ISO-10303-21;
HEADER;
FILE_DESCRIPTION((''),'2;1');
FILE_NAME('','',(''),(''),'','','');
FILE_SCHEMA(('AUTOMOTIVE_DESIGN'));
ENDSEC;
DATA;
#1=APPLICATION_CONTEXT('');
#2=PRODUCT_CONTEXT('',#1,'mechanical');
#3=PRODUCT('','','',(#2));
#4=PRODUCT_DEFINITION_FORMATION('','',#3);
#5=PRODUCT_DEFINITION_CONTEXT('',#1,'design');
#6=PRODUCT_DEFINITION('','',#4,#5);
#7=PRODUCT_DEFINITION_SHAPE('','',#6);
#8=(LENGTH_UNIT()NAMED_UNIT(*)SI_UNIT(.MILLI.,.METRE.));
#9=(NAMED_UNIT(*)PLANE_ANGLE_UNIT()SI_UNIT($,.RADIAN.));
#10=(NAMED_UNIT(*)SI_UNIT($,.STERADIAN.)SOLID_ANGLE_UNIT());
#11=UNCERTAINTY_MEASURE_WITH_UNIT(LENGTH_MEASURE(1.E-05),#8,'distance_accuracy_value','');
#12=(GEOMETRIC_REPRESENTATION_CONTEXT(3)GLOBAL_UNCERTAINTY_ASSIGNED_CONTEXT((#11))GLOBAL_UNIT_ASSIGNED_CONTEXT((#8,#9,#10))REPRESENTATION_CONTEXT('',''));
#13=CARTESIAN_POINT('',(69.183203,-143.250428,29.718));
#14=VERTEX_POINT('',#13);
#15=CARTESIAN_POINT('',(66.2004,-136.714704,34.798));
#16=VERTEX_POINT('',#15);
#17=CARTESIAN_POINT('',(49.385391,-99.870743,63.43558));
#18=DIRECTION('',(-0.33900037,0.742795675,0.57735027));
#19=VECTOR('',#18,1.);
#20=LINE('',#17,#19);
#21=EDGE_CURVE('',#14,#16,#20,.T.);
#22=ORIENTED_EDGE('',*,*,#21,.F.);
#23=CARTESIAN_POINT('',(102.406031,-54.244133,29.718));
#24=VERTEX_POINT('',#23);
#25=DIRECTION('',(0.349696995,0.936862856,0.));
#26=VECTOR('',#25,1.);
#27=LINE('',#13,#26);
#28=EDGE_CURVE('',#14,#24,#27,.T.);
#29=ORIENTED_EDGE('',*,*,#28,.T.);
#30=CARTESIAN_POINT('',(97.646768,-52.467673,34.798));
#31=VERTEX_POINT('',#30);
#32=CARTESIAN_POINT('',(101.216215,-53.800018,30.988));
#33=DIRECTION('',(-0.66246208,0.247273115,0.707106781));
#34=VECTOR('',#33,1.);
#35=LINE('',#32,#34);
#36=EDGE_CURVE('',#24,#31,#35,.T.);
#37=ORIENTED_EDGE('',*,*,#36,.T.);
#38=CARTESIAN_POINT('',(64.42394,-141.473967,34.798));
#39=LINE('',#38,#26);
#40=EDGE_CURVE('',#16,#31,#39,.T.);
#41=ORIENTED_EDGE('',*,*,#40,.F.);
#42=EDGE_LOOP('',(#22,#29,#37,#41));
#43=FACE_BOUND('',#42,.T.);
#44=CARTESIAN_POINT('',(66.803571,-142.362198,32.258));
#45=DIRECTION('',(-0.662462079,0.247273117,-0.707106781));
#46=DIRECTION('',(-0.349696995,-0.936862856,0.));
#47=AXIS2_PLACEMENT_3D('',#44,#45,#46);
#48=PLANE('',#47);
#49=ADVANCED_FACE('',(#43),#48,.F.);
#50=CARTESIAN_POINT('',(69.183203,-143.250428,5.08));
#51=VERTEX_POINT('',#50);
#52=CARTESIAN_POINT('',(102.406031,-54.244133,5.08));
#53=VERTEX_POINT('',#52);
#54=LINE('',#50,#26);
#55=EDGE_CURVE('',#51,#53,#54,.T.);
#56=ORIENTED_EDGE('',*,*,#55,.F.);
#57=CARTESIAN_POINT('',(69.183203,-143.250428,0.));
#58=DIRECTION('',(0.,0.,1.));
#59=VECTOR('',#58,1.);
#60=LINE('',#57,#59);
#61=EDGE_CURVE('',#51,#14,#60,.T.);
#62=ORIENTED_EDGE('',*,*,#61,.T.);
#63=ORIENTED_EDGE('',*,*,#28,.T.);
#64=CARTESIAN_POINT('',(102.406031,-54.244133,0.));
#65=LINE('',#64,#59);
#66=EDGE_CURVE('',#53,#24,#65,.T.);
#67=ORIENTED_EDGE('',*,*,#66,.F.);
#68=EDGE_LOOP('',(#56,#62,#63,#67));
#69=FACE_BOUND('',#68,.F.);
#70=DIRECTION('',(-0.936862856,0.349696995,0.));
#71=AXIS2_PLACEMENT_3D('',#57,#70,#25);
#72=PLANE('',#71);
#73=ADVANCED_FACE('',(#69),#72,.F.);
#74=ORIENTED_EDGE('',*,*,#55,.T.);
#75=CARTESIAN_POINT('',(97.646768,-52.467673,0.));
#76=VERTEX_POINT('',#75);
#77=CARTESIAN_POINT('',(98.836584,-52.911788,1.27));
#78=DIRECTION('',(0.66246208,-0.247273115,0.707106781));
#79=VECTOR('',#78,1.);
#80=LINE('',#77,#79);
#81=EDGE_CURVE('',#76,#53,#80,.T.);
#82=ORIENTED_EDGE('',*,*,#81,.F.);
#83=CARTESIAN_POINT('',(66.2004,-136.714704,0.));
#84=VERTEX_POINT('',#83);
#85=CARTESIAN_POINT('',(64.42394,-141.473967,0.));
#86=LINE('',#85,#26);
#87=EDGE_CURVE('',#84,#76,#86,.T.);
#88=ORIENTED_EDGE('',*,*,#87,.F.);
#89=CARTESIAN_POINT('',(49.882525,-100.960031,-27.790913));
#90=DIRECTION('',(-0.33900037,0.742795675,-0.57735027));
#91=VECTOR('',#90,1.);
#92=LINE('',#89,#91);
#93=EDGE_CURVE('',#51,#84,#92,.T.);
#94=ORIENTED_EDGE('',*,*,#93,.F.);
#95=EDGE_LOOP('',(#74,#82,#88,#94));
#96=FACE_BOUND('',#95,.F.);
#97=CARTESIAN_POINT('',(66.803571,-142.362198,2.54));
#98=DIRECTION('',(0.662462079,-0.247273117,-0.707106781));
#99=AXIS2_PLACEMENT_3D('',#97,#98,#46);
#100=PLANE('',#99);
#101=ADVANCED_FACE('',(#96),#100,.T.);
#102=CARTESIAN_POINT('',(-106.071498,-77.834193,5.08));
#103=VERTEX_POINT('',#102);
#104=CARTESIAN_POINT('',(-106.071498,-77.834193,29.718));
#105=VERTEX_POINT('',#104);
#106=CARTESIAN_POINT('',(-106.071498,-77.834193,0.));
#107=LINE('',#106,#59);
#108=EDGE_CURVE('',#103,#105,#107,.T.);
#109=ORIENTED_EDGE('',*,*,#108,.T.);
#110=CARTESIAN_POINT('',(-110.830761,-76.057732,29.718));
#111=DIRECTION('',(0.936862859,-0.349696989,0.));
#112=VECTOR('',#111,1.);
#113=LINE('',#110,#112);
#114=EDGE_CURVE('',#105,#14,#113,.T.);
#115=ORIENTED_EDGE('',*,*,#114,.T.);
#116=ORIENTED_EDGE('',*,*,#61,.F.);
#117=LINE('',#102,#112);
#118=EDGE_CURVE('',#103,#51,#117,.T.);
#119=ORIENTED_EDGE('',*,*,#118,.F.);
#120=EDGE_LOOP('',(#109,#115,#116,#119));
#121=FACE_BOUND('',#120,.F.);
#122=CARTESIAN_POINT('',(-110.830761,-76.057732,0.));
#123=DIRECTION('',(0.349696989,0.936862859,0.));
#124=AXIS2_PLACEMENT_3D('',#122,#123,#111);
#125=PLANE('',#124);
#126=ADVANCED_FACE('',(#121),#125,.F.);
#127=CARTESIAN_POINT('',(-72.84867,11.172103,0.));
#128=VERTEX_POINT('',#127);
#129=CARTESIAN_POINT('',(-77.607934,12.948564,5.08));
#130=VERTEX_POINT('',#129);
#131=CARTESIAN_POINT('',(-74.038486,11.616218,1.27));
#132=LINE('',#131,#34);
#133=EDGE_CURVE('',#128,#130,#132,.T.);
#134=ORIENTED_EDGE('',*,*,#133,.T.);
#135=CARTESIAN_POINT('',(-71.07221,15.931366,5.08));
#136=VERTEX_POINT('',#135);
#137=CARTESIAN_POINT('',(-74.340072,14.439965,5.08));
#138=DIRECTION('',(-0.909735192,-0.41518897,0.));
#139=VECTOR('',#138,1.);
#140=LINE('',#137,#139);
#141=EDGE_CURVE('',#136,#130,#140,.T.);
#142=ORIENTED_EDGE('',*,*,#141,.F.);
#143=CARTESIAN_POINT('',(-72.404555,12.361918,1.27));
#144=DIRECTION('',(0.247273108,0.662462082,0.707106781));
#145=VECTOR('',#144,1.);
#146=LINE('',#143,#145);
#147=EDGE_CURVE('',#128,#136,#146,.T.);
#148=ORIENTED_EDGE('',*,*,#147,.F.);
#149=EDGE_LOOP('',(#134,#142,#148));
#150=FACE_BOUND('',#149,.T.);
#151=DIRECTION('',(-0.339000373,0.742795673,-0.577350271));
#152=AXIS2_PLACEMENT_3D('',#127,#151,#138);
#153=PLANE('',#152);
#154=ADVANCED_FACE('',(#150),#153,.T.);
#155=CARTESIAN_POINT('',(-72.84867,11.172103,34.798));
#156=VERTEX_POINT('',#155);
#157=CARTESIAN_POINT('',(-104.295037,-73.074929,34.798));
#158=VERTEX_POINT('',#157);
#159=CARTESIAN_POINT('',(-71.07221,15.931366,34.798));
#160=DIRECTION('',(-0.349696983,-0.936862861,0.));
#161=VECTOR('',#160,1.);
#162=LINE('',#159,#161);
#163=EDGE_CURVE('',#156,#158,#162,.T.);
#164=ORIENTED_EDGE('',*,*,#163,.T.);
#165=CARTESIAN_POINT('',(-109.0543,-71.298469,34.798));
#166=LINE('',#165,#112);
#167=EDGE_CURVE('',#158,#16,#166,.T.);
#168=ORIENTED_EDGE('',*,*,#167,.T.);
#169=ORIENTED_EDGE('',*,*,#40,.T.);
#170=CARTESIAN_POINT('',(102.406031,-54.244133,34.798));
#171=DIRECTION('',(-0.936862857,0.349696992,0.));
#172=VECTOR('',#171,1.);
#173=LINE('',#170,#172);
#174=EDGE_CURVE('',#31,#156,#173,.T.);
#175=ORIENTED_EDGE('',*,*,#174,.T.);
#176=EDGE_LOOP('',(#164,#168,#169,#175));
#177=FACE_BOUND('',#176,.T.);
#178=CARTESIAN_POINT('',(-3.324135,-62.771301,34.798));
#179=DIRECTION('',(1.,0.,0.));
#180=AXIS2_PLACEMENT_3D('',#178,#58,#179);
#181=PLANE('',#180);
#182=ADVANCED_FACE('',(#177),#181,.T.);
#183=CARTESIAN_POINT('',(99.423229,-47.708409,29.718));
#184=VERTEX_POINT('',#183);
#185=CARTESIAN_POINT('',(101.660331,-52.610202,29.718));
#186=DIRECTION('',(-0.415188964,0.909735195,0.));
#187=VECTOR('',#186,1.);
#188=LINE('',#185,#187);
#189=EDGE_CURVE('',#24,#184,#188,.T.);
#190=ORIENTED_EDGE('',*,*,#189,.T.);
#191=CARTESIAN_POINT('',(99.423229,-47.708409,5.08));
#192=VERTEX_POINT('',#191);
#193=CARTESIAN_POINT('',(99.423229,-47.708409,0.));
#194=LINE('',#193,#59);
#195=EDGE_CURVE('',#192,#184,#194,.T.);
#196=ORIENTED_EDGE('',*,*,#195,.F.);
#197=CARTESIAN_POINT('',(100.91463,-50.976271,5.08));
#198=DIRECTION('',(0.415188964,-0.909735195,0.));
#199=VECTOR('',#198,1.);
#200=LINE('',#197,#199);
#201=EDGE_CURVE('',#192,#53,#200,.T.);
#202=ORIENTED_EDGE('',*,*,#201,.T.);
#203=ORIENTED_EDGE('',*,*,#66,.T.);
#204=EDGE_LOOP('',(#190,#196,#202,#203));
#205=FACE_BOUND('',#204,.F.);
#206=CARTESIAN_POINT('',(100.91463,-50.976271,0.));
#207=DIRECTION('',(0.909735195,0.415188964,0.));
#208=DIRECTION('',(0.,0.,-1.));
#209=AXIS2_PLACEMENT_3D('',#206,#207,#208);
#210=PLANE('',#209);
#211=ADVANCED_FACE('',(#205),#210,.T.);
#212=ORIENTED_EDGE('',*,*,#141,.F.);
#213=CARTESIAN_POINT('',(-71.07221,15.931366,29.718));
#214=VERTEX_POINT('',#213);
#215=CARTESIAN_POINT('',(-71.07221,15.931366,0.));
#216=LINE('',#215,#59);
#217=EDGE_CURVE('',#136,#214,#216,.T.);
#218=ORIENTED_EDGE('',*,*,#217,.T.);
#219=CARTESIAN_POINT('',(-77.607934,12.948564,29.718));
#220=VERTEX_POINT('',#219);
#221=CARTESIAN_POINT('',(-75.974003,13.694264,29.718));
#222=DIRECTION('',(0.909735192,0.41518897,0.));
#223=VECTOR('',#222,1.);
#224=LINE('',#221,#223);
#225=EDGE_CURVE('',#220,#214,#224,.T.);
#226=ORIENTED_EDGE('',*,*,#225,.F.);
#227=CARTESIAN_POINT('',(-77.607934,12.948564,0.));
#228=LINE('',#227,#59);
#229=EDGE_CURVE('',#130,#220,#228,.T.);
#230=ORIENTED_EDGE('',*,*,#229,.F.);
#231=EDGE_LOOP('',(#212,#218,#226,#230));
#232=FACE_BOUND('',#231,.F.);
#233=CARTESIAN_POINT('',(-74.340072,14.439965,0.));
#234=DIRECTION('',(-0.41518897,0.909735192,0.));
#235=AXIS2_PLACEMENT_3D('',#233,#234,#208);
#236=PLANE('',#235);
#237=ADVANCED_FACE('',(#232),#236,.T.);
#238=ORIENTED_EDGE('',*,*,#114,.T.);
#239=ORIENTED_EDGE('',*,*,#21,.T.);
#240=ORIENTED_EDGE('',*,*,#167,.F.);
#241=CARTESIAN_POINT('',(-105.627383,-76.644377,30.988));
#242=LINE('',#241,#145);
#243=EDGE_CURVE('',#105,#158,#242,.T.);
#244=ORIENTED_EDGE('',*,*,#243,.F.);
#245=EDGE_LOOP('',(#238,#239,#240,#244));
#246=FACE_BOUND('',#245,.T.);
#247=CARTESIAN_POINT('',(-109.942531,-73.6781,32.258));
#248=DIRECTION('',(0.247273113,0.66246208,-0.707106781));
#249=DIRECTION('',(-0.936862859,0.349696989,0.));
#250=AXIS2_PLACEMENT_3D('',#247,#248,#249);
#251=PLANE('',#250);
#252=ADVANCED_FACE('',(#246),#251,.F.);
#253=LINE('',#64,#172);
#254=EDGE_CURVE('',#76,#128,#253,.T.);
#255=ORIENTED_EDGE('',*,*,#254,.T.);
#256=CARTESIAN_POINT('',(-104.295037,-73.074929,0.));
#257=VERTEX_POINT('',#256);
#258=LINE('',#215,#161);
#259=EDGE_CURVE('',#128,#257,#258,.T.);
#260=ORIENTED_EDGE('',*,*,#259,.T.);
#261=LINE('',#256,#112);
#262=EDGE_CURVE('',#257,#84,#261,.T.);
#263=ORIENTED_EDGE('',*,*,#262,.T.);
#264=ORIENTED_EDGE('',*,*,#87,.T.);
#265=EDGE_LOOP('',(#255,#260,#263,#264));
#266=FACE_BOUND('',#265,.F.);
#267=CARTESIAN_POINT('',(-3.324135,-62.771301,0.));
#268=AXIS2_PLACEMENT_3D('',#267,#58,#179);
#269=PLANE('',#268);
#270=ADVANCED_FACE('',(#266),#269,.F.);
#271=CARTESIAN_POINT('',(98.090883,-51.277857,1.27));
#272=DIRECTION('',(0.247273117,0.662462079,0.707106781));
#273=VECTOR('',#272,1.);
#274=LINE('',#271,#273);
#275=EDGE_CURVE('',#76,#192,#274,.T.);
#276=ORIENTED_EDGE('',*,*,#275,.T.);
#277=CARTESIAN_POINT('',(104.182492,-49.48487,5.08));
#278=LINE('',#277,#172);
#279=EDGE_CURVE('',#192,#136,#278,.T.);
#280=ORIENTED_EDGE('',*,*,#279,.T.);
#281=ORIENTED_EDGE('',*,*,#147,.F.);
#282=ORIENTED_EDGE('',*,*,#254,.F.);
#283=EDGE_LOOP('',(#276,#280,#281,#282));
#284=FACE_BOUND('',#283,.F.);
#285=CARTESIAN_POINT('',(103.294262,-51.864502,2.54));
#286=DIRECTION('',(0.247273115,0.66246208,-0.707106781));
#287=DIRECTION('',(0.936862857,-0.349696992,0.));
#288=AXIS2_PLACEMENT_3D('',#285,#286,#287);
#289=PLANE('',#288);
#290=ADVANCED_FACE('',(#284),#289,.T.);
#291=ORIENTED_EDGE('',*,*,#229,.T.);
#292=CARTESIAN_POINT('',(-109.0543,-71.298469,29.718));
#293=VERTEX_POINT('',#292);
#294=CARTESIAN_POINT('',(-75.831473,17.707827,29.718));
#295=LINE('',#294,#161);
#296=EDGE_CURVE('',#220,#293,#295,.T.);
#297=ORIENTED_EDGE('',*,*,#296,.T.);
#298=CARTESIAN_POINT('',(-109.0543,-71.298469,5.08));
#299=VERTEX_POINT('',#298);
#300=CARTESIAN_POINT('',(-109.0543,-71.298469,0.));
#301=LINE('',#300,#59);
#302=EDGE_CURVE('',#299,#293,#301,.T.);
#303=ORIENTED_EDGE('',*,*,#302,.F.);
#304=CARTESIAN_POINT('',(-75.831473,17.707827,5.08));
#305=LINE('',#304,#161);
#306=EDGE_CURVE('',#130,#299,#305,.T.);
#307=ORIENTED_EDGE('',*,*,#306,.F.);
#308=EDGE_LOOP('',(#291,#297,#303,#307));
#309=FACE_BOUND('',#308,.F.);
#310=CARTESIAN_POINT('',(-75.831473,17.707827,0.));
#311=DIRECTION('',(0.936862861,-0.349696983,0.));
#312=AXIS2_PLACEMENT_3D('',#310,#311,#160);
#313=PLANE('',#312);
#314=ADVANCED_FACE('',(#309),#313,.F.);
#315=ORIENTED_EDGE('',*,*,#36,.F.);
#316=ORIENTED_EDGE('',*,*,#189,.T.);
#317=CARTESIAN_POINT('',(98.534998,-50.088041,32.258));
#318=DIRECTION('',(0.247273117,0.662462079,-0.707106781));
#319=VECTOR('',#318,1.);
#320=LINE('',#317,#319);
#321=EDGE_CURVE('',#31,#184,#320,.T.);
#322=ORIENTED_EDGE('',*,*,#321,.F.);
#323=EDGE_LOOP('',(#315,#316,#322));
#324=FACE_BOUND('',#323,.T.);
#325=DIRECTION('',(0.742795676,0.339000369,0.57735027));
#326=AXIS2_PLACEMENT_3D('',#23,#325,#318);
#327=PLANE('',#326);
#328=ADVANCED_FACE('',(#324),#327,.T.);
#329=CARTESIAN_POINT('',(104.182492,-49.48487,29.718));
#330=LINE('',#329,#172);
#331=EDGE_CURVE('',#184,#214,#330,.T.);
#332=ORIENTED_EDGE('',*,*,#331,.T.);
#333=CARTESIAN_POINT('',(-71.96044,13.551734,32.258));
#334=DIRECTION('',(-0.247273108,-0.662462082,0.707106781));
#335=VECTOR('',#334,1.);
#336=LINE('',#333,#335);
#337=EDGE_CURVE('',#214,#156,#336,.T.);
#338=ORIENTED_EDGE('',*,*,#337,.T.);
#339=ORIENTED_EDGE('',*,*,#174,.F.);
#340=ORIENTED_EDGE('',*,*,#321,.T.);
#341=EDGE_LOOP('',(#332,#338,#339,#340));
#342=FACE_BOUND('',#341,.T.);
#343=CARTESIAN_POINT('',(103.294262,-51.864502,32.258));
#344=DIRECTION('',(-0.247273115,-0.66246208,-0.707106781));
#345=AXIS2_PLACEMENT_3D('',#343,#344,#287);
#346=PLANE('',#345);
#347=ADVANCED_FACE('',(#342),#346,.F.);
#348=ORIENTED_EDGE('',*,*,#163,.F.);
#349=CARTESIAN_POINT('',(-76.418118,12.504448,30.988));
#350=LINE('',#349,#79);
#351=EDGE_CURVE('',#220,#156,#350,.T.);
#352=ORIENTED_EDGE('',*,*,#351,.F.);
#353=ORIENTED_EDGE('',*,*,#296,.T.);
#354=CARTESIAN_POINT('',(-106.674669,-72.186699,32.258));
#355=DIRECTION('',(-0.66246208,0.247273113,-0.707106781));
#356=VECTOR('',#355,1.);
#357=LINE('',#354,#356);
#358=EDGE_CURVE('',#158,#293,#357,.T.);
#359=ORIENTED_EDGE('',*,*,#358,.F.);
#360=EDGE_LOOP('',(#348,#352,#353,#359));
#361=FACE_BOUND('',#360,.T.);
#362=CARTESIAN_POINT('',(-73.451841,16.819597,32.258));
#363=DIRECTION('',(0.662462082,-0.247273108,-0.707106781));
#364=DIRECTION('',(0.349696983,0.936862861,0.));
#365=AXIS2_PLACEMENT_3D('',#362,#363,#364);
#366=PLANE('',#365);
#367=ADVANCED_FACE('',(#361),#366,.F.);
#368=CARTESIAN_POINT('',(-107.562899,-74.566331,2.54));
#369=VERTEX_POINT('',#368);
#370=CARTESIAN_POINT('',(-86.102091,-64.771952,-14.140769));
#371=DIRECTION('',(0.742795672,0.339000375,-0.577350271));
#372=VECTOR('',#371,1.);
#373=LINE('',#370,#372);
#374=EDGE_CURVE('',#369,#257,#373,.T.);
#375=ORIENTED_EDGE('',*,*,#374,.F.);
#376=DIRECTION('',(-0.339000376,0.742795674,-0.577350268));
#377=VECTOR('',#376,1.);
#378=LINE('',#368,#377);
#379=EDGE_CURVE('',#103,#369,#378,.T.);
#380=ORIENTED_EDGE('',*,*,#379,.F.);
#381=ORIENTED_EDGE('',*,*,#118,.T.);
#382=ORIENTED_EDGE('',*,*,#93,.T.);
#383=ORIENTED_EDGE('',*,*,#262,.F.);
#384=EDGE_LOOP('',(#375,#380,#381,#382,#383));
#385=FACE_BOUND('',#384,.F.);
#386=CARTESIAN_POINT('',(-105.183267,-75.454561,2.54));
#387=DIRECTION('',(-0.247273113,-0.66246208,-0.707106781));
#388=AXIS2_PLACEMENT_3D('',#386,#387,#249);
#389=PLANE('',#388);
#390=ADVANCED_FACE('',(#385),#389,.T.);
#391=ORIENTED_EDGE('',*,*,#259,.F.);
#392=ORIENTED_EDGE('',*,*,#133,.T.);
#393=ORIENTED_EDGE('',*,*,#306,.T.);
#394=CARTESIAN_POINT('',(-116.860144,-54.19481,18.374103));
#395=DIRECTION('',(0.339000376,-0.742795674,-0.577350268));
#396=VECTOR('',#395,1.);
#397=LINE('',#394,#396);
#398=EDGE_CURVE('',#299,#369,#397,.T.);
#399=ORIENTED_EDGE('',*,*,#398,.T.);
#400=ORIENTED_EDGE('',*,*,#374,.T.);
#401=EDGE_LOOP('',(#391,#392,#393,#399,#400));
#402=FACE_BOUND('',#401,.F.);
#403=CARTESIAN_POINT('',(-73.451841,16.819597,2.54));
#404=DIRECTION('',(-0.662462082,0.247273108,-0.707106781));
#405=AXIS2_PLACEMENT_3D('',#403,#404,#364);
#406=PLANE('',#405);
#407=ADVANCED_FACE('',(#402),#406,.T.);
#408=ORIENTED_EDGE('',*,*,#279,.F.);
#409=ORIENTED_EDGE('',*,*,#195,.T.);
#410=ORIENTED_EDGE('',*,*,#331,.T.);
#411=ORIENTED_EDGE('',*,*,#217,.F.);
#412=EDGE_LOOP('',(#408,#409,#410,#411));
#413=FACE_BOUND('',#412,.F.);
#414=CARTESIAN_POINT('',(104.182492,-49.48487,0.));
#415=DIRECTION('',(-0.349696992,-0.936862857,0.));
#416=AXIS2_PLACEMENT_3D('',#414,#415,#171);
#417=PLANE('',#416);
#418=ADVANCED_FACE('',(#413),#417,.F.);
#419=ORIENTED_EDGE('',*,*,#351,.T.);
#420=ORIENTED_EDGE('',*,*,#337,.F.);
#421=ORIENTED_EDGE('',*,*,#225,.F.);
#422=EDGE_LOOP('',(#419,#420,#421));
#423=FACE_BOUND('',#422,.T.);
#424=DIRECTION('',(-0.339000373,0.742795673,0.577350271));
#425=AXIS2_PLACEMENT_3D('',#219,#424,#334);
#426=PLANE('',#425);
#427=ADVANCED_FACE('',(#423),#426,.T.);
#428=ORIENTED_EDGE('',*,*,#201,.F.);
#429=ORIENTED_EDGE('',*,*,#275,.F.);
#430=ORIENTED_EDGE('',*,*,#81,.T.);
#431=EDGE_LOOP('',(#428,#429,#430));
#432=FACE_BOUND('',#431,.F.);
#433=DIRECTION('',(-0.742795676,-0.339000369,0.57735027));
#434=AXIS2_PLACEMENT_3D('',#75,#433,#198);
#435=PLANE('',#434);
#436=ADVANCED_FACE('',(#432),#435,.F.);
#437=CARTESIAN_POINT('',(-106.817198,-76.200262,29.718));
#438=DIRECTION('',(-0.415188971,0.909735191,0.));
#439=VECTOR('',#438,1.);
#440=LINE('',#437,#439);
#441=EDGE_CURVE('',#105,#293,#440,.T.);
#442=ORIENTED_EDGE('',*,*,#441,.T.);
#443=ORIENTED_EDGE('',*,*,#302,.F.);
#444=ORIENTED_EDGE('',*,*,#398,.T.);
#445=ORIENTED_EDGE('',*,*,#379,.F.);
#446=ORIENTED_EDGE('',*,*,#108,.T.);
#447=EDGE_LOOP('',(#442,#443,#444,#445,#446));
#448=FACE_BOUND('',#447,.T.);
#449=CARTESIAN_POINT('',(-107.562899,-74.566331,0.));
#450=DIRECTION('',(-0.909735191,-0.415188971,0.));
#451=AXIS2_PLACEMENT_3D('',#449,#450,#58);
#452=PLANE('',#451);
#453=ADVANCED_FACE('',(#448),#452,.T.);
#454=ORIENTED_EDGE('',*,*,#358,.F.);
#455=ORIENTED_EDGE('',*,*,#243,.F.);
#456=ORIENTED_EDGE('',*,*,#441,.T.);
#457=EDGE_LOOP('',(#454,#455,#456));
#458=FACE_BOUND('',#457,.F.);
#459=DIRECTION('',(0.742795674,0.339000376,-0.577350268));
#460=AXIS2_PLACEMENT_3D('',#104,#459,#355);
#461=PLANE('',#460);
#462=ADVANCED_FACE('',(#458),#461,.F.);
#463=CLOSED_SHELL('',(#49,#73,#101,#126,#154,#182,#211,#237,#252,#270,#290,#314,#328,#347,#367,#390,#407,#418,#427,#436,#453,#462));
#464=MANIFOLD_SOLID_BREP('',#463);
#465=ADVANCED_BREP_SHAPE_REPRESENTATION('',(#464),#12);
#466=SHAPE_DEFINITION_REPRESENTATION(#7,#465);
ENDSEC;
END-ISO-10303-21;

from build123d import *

# Parameters (mm, degrees)
F1_DEPTH = 34.798
F2_SIZE  = 5.08
F3_SIZE  = 5.08


with BuildPart() as f1:
    # F0 (on Top) → F1 (new body)
    with BuildSketch(Plane.XY):
        Polygon((-110.830761, -76.057732), (69.183203, -143.250428), (104.182492, -49.48487), (-75.831473, 17.707827), align=None)
    extrude(amount=F1_DEPTH)

    # F2
    f2_edges = [f1.edges().sort_by_distance(p)[0] for p in [
        (14.17551, -15.888522, 34.798),
        (-75.831473, 17.707827, 17.399),
        (-93.331117, -29.174953, 34.798),
        (86.682848, -96.367649, 34.798),
        (-20.823779, -109.65408, 34.798),
        (104.182492, -49.48487, 17.399),
        (14.17551, -15.888522, 0),
        (-93.331117, -29.174953, 0),
        (-110.830761, -76.057732, 17.399),
        (86.682848, -96.367649, 0),
    ]]
    chamfer(f2_edges, length=F2_SIZE)

    # F3
    f3_edges = [f1.edges().sort_by_distance(p)[0] for p in [
        (-20.823779, -109.65408, 0),
    ]]
    chamfer(f3_edges, length=F3_SIZE)


solid = f1.part
